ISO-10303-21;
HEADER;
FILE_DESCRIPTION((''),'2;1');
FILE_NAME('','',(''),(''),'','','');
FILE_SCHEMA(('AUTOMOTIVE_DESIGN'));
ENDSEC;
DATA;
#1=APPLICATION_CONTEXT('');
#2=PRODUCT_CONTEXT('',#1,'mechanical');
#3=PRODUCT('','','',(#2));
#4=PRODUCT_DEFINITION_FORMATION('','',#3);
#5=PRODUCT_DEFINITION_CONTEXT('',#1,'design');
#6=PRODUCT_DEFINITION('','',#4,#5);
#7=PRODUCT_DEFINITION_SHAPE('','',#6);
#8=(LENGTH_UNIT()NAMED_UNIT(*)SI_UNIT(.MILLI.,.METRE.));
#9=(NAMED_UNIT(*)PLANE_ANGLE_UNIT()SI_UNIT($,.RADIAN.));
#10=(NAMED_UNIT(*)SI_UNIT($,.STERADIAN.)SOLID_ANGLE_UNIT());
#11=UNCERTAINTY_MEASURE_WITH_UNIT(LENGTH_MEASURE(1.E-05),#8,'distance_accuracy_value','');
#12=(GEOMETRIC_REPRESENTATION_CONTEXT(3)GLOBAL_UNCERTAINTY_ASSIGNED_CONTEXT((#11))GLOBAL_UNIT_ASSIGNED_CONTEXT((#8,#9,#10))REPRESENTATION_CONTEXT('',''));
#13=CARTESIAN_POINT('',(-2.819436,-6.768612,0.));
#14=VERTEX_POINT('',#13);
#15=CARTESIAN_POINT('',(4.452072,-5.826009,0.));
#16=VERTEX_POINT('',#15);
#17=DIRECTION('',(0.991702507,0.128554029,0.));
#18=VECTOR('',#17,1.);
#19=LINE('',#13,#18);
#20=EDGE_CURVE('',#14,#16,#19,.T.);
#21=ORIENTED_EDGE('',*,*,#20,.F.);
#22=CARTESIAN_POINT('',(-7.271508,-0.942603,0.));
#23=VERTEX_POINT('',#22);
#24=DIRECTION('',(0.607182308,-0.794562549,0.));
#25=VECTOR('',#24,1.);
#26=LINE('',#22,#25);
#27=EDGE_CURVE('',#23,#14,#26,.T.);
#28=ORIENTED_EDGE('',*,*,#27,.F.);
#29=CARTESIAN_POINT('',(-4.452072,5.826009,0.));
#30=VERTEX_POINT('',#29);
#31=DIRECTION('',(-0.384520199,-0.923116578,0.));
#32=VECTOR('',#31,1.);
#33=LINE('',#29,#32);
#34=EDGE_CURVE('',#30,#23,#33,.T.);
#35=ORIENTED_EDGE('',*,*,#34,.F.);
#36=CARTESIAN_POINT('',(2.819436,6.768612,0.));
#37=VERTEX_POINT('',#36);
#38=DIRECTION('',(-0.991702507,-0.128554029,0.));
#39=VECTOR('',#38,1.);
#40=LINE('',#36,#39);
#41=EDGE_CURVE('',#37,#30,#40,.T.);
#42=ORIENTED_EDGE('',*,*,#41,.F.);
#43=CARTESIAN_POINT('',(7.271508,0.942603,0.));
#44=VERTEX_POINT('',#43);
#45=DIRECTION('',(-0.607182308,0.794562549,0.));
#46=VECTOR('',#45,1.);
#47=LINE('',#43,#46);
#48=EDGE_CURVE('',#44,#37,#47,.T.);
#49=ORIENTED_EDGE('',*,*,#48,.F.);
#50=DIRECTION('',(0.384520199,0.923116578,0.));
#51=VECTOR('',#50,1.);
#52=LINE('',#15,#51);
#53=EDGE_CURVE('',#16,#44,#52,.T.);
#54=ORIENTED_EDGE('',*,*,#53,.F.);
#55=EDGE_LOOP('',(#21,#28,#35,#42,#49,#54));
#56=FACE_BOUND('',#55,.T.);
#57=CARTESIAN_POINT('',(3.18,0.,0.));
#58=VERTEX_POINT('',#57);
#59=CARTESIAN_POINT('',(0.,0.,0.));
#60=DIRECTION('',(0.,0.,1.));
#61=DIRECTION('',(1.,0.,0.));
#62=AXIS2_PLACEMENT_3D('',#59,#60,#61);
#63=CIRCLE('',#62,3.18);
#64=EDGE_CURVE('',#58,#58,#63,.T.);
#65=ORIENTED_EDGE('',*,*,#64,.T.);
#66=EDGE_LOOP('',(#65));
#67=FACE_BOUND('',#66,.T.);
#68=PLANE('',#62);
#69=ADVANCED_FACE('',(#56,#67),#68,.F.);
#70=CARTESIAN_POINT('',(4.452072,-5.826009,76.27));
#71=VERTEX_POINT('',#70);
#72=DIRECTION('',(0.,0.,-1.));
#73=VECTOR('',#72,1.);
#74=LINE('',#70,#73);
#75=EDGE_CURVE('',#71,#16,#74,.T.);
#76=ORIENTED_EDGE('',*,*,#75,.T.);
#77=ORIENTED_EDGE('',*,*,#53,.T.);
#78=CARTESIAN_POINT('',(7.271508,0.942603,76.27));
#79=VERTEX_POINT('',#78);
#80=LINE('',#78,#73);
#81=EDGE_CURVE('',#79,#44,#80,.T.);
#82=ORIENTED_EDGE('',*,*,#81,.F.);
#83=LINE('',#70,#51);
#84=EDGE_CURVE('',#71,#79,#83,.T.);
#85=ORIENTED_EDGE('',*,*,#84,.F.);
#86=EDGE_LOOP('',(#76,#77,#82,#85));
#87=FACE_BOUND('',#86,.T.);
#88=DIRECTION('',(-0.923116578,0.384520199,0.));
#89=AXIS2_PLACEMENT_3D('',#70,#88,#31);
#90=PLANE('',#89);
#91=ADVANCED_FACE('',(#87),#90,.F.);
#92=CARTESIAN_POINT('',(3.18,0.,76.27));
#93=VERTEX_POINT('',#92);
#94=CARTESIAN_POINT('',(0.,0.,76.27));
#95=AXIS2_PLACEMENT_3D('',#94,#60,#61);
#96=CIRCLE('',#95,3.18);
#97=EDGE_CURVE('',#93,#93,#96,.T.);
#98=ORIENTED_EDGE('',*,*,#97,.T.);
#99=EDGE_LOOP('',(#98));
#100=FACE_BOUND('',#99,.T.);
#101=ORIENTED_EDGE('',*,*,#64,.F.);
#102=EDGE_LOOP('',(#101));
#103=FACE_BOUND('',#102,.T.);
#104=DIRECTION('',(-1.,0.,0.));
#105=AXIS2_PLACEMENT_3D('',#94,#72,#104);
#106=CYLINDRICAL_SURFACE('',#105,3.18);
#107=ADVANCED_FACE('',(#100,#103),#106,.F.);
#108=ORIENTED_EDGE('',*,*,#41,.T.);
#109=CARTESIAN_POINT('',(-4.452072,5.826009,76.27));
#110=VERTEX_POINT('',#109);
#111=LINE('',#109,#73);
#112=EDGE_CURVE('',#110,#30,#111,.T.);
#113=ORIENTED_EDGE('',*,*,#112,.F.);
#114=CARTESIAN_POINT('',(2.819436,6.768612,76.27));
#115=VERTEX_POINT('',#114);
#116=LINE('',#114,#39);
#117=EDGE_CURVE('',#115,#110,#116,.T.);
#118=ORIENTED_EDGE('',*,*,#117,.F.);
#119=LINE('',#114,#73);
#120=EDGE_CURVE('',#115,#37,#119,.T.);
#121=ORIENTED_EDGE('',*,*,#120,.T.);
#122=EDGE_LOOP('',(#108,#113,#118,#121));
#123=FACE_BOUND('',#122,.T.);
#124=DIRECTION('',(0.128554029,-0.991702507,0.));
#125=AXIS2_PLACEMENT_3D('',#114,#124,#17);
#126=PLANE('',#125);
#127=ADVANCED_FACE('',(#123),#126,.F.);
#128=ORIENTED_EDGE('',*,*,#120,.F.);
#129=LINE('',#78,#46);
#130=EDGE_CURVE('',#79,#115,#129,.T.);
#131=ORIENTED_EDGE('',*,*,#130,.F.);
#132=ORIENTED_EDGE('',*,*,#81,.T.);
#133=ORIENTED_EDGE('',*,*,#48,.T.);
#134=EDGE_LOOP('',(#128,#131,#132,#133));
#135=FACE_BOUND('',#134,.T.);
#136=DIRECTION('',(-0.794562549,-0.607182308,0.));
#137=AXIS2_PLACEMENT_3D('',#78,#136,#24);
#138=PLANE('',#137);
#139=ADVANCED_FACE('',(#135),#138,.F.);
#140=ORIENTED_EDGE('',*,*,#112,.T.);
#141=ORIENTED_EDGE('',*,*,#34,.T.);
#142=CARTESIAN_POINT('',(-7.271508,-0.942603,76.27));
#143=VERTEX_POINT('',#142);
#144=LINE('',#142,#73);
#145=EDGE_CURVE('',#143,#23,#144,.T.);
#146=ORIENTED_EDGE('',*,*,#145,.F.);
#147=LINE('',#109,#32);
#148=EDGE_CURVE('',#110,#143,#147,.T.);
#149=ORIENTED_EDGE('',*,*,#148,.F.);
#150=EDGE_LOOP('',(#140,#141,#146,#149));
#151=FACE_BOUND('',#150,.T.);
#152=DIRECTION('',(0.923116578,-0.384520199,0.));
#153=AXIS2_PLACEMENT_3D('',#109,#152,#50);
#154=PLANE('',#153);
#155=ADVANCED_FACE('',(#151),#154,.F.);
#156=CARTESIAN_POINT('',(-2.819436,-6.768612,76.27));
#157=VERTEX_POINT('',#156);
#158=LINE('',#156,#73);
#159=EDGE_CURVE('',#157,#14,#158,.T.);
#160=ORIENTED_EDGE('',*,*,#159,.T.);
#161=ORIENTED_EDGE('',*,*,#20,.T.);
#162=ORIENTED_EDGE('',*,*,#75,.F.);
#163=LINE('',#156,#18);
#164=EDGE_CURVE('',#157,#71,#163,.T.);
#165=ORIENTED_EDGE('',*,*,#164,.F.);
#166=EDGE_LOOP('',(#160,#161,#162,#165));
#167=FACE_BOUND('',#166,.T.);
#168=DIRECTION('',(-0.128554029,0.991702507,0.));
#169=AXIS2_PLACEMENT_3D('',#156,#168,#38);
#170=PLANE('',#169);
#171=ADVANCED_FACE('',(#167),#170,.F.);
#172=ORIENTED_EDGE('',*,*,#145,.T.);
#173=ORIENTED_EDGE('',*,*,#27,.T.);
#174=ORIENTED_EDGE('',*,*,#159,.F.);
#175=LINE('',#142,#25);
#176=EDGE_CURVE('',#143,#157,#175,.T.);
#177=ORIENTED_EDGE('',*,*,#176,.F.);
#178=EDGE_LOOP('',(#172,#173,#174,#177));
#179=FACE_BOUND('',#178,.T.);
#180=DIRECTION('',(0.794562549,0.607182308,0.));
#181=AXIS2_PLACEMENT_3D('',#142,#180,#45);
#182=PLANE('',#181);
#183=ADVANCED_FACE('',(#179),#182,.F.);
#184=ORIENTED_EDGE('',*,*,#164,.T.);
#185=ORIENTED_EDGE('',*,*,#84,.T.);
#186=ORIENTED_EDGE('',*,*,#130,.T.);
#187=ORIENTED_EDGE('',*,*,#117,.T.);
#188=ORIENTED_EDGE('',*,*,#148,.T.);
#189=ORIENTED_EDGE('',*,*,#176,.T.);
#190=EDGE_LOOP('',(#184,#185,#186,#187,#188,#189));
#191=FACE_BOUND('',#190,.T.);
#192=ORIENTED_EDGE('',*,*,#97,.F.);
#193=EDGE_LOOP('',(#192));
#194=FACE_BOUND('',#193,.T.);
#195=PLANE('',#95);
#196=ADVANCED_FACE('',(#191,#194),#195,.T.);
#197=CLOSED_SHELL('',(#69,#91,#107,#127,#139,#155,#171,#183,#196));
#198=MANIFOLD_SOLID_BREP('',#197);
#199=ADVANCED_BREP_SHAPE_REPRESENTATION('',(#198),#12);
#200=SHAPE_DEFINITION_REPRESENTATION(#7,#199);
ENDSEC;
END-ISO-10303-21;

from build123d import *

# Parameters (mm, degrees)
SKETCH1_R           = 3.18
BOSS_EXTRUDE1_DEPTH = 76.27


with BuildPart() as part:
    # Sketch1 → Boss-Extrude1 (new body)
    with BuildSketch(Plane.XY):
        Polygon((7.271508307, 0.942602929), (2.819436071, 6.768612382), (-4.452072235, 5.826009453), (-7.271508307, -0.942602929), (-2.819436071, -6.768612382), (4.452072235, -5.826009453), align=None)
        Circle(SKETCH1_R, mode=Mode.SUBTRACT)
    extrude(amount=BOSS_EXTRUDE1_DEPTH)


solid = part.part
